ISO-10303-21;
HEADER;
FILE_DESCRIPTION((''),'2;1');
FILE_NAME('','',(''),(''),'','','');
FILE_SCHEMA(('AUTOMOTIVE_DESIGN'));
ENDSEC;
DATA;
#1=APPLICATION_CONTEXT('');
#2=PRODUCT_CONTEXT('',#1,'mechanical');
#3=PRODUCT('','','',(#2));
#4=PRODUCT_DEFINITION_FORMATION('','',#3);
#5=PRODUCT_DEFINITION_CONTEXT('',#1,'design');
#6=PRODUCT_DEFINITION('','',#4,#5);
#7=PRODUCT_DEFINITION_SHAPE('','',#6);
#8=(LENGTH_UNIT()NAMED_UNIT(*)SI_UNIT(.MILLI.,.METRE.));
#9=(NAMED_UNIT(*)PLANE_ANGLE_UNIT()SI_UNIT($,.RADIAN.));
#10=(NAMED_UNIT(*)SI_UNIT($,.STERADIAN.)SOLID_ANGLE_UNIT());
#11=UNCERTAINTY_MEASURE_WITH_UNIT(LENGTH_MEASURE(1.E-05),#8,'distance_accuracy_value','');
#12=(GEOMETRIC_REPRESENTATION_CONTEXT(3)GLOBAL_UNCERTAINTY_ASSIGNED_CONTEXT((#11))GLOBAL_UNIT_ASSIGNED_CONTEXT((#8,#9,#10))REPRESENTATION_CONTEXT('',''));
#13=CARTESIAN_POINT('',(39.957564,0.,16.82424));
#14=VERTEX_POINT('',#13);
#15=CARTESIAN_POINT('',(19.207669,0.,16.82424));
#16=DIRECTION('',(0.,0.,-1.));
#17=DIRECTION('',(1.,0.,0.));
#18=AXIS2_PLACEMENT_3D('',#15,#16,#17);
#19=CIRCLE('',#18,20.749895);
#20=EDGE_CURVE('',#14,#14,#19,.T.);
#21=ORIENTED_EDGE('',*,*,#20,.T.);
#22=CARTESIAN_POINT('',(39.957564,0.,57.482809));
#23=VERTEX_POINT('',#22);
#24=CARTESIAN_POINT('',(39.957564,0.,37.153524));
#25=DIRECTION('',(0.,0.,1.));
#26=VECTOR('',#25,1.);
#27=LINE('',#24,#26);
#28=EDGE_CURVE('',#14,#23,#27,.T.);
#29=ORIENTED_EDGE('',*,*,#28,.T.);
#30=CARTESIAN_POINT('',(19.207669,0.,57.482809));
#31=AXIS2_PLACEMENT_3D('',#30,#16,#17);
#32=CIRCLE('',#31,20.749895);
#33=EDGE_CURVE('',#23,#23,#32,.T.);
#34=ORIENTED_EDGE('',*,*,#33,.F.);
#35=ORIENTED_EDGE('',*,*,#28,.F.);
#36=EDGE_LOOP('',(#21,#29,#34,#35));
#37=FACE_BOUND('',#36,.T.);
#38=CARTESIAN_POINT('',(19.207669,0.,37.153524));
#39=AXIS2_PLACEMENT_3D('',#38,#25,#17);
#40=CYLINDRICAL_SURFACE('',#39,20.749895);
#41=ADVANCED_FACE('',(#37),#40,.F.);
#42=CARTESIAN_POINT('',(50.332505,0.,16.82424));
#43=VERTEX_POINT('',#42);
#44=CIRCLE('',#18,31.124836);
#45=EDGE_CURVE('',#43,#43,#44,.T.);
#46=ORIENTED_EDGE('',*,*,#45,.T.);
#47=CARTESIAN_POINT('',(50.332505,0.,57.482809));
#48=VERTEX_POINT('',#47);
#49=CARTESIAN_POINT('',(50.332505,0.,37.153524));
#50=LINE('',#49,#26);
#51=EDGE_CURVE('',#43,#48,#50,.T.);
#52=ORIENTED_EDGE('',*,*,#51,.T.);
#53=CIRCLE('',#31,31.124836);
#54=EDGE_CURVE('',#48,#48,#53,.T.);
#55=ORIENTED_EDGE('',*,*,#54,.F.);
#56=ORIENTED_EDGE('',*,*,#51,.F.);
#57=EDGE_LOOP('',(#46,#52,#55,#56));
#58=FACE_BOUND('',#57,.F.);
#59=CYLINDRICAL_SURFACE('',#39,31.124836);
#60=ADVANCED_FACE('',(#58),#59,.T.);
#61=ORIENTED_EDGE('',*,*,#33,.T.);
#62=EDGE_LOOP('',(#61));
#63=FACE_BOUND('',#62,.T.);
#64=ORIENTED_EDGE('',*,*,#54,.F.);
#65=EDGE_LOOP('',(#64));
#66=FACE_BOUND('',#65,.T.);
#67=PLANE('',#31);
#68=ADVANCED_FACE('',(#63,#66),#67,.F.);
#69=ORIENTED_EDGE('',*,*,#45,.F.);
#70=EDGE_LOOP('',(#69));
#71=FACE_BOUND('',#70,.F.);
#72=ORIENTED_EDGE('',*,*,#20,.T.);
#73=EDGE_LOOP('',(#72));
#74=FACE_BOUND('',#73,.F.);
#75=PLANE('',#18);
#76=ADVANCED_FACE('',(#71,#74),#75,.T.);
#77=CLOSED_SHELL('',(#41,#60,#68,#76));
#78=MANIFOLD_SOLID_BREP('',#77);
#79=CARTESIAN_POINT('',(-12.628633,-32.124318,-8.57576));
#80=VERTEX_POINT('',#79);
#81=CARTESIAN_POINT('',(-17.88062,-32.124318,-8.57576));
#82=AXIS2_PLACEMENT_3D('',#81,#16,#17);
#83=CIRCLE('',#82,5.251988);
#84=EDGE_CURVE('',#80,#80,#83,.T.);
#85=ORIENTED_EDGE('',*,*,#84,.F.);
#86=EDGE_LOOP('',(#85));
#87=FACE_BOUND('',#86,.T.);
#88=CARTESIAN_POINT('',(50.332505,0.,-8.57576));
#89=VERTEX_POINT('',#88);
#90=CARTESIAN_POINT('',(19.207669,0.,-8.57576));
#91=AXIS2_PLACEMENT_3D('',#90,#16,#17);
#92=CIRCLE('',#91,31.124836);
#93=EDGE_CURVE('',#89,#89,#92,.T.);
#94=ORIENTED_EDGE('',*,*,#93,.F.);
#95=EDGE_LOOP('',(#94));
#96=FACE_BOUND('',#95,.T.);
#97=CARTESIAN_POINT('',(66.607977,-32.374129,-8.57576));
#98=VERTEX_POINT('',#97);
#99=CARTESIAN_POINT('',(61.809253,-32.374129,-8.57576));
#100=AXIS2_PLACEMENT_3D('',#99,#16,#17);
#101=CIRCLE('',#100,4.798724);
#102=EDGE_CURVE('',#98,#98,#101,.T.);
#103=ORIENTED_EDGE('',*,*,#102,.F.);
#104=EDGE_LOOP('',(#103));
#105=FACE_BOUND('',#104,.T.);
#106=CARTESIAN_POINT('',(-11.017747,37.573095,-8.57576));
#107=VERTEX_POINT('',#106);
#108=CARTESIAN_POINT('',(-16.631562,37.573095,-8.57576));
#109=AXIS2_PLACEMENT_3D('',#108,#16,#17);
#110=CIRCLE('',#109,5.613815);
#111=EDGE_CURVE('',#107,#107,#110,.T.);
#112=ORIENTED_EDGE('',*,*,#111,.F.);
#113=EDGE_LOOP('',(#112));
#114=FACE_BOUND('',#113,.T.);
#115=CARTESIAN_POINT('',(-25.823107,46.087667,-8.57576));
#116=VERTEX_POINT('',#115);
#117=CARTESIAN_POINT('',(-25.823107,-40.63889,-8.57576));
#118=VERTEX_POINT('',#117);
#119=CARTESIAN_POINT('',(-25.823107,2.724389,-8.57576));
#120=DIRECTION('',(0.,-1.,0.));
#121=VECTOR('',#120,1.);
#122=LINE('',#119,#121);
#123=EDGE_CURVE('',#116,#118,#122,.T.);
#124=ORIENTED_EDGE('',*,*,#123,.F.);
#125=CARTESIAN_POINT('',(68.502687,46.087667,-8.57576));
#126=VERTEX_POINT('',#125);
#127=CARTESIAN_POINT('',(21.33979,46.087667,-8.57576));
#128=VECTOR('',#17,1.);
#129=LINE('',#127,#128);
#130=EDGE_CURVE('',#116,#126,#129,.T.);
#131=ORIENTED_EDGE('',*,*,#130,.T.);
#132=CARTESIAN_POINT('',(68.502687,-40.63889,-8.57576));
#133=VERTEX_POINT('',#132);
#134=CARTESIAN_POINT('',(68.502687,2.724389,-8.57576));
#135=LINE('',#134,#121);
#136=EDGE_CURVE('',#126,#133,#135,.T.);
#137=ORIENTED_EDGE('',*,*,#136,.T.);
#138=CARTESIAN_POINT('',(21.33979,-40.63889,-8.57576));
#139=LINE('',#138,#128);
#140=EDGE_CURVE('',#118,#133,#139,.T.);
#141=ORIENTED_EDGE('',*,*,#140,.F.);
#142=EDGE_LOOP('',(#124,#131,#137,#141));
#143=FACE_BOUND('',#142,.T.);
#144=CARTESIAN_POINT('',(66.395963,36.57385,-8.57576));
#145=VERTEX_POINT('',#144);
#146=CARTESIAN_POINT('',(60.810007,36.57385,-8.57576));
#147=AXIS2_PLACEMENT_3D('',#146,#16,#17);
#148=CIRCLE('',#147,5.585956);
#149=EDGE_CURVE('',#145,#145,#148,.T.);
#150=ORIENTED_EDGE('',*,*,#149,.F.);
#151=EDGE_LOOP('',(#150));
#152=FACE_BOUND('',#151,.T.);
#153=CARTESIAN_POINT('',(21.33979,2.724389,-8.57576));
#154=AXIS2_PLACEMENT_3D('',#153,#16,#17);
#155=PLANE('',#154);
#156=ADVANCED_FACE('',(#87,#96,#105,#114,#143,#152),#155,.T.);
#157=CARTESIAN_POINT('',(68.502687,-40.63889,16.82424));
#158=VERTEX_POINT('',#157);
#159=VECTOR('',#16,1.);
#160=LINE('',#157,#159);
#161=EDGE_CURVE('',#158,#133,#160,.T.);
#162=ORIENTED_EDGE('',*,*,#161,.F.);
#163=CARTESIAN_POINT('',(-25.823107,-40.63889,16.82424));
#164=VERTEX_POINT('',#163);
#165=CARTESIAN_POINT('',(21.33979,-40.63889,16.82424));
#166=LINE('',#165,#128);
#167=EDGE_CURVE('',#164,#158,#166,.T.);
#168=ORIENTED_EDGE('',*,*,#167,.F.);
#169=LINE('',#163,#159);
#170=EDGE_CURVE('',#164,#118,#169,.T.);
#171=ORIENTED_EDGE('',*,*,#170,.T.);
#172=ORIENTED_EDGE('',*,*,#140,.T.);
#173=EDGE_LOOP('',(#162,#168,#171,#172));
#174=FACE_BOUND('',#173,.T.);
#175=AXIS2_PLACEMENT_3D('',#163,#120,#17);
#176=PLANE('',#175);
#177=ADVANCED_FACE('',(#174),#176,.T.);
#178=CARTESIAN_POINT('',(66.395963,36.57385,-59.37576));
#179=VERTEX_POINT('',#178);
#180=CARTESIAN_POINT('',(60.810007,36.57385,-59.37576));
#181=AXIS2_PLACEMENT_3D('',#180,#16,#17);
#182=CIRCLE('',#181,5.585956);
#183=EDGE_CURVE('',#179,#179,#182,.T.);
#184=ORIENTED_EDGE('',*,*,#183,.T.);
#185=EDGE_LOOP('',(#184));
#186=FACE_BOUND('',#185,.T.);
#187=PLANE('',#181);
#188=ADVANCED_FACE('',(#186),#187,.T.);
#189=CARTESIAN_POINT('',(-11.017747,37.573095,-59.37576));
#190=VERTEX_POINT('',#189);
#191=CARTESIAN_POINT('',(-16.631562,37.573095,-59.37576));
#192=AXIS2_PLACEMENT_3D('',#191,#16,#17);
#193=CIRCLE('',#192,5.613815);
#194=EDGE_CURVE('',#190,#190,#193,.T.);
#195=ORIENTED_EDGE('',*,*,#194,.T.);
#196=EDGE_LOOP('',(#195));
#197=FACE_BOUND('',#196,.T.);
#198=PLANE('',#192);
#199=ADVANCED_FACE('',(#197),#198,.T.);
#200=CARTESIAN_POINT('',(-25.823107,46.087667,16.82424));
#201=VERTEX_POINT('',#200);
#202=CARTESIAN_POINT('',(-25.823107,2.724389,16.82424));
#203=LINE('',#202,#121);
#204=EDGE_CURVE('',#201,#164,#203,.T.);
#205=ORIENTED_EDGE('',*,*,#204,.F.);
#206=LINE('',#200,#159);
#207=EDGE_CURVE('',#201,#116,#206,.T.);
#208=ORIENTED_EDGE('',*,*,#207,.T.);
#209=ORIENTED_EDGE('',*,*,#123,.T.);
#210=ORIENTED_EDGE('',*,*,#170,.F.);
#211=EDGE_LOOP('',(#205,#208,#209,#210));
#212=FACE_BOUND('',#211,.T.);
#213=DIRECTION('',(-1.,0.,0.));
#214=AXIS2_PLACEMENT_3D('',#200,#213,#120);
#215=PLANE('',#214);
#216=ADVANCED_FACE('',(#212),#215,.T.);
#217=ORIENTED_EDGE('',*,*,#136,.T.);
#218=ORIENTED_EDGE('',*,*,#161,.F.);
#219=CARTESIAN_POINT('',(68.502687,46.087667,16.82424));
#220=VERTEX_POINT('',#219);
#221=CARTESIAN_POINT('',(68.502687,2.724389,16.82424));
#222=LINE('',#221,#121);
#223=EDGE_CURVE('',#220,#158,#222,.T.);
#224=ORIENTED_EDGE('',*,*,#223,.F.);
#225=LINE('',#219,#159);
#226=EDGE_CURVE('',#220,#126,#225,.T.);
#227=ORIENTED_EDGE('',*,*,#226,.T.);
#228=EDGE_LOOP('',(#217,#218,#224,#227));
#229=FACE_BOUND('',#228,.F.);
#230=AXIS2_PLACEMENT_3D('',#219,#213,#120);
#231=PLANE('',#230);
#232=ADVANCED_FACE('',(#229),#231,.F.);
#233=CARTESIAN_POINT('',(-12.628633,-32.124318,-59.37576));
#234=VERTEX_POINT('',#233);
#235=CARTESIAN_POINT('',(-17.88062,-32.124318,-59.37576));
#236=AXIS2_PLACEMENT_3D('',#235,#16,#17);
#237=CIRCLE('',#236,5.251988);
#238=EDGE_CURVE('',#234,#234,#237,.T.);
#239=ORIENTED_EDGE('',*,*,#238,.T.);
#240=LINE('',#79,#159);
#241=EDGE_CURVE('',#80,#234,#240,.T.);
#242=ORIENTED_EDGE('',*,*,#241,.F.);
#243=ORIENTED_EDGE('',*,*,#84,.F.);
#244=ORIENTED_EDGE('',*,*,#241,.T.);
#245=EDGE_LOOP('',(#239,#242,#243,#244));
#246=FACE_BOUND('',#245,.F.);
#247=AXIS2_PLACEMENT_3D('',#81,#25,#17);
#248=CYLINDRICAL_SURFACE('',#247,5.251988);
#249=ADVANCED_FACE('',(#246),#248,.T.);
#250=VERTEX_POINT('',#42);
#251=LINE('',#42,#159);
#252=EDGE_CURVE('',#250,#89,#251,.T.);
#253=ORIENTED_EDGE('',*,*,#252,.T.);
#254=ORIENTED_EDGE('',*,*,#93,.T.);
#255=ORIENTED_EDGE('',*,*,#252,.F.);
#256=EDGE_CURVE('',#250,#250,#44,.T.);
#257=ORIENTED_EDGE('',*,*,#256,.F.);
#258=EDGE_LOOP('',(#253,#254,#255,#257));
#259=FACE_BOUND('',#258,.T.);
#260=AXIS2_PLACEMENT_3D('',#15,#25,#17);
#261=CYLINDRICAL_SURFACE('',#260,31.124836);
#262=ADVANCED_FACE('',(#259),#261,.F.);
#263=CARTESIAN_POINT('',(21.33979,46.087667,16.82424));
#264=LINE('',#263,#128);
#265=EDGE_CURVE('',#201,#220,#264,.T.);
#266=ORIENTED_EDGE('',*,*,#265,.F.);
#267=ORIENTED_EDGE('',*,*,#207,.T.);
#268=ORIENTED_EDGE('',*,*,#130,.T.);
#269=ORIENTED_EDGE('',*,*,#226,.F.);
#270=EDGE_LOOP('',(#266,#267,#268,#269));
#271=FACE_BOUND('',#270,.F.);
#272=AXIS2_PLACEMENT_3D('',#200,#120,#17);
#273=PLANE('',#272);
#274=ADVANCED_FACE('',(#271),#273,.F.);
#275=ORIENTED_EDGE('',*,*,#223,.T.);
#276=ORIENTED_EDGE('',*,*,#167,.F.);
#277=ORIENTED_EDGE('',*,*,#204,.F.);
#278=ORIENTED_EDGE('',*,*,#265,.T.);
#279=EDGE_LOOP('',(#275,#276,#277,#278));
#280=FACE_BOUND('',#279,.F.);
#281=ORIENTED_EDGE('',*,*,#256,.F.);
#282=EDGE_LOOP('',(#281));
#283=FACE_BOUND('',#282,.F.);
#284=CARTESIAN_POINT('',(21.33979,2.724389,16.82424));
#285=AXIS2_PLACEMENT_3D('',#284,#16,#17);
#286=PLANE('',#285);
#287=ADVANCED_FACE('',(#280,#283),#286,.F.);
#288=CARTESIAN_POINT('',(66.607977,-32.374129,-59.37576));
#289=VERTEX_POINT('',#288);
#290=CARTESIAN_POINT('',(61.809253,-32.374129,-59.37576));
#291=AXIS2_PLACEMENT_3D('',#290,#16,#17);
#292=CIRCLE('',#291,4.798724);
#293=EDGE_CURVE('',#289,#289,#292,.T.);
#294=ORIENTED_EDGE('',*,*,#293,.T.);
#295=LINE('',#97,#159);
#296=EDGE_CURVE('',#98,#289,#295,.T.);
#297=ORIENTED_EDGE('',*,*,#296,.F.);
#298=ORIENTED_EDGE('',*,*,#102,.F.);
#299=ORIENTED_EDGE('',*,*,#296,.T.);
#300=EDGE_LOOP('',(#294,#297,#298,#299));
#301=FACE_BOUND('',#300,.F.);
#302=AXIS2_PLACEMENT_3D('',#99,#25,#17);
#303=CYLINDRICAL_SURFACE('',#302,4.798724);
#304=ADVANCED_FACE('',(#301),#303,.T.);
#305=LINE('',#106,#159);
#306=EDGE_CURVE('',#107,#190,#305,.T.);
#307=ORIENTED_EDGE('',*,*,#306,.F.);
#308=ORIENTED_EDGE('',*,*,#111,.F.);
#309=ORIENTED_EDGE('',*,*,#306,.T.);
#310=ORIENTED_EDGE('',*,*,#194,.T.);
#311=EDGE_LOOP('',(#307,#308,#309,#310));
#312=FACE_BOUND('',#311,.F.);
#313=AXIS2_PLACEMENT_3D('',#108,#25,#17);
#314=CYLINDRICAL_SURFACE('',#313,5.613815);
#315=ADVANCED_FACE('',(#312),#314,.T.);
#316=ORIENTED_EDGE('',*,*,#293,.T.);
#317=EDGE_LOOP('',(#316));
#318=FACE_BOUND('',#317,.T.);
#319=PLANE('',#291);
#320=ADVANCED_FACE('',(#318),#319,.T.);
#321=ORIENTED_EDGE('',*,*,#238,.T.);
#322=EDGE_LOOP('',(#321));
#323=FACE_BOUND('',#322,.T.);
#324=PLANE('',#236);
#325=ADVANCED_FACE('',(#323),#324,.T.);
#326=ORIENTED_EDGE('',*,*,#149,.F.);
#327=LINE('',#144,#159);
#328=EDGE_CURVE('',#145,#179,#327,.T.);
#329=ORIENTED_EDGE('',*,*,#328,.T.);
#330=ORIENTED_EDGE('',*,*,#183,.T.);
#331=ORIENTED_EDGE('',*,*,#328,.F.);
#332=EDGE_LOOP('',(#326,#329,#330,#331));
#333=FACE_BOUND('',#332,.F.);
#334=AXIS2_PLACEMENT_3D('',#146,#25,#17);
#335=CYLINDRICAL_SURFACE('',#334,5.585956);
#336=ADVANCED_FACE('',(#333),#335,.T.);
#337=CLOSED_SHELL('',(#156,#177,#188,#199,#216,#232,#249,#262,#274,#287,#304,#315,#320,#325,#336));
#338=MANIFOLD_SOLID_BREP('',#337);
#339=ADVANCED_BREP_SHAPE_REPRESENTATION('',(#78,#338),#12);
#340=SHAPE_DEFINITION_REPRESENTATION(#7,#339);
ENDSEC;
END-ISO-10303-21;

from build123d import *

# Parameters (mm, degrees)
F0_W     = 10.3749409318
F0_H     = 40.6585689634
F2_W     = 94.325793907
F2_H     = 86.7265574634
F2_R     = 31.1248358339
F3_DEPTH = 25.4
F5_R     = 5.5859562954
F5_R_2   = 5.6138148753
F5_R_3   = 5.25198777
F5_R_4   = 4.7987242699
F6_DEPTH = 50.8


with BuildPart() as f1:
    # F0 (on Front) → F1 (revolve)
    with BuildSketch(Plane.XZ):
        with Locations((45.14503479, 37.1535243466)):
            Rectangle(F0_W, F0_H)
    revolve(axis=Axis((19.207669422, 0, 35.8917070553), (0, 0, -1)))


with BuildPart() as f3:
    # F2 (on face) → F3 (new body)
    with BuildSketch(Plane(origin=(0, 0, 16.8242398649), x_dir=(1, 0, 0), z_dir=(0, 0, -1))):
        with Locations((21.3397899643, -2.7243886143)):
            Rectangle(F2_W, F2_H)
        with Locations((19.207669422, 0)):
            Circle(F2_R, mode=Mode.SUBTRACT)
    extrude(amount=F3_DEPTH)

    # F5 (on face) → F6 (join)
    with BuildSketch(Plane(origin=(0, 0, -8.5757601351), x_dir=(1, 0, 0), z_dir=(0, 0, -1))):
        with Locations((60.8100071549, -36.5738496184)):
            Circle(F5_R)
        with Locations((-16.6315622628, -37.5730954111)):
            Circle(F5_R_2)
        with Locations((-17.8806204349, 32.1243181825)):
            Circle(F5_R_3)
        with Locations((61.8092529476, 32.3741286993)):
            Circle(F5_R_4)
    extrude(amount=F6_DEPTH)


solid = Compound([f1.part, f3.part])
